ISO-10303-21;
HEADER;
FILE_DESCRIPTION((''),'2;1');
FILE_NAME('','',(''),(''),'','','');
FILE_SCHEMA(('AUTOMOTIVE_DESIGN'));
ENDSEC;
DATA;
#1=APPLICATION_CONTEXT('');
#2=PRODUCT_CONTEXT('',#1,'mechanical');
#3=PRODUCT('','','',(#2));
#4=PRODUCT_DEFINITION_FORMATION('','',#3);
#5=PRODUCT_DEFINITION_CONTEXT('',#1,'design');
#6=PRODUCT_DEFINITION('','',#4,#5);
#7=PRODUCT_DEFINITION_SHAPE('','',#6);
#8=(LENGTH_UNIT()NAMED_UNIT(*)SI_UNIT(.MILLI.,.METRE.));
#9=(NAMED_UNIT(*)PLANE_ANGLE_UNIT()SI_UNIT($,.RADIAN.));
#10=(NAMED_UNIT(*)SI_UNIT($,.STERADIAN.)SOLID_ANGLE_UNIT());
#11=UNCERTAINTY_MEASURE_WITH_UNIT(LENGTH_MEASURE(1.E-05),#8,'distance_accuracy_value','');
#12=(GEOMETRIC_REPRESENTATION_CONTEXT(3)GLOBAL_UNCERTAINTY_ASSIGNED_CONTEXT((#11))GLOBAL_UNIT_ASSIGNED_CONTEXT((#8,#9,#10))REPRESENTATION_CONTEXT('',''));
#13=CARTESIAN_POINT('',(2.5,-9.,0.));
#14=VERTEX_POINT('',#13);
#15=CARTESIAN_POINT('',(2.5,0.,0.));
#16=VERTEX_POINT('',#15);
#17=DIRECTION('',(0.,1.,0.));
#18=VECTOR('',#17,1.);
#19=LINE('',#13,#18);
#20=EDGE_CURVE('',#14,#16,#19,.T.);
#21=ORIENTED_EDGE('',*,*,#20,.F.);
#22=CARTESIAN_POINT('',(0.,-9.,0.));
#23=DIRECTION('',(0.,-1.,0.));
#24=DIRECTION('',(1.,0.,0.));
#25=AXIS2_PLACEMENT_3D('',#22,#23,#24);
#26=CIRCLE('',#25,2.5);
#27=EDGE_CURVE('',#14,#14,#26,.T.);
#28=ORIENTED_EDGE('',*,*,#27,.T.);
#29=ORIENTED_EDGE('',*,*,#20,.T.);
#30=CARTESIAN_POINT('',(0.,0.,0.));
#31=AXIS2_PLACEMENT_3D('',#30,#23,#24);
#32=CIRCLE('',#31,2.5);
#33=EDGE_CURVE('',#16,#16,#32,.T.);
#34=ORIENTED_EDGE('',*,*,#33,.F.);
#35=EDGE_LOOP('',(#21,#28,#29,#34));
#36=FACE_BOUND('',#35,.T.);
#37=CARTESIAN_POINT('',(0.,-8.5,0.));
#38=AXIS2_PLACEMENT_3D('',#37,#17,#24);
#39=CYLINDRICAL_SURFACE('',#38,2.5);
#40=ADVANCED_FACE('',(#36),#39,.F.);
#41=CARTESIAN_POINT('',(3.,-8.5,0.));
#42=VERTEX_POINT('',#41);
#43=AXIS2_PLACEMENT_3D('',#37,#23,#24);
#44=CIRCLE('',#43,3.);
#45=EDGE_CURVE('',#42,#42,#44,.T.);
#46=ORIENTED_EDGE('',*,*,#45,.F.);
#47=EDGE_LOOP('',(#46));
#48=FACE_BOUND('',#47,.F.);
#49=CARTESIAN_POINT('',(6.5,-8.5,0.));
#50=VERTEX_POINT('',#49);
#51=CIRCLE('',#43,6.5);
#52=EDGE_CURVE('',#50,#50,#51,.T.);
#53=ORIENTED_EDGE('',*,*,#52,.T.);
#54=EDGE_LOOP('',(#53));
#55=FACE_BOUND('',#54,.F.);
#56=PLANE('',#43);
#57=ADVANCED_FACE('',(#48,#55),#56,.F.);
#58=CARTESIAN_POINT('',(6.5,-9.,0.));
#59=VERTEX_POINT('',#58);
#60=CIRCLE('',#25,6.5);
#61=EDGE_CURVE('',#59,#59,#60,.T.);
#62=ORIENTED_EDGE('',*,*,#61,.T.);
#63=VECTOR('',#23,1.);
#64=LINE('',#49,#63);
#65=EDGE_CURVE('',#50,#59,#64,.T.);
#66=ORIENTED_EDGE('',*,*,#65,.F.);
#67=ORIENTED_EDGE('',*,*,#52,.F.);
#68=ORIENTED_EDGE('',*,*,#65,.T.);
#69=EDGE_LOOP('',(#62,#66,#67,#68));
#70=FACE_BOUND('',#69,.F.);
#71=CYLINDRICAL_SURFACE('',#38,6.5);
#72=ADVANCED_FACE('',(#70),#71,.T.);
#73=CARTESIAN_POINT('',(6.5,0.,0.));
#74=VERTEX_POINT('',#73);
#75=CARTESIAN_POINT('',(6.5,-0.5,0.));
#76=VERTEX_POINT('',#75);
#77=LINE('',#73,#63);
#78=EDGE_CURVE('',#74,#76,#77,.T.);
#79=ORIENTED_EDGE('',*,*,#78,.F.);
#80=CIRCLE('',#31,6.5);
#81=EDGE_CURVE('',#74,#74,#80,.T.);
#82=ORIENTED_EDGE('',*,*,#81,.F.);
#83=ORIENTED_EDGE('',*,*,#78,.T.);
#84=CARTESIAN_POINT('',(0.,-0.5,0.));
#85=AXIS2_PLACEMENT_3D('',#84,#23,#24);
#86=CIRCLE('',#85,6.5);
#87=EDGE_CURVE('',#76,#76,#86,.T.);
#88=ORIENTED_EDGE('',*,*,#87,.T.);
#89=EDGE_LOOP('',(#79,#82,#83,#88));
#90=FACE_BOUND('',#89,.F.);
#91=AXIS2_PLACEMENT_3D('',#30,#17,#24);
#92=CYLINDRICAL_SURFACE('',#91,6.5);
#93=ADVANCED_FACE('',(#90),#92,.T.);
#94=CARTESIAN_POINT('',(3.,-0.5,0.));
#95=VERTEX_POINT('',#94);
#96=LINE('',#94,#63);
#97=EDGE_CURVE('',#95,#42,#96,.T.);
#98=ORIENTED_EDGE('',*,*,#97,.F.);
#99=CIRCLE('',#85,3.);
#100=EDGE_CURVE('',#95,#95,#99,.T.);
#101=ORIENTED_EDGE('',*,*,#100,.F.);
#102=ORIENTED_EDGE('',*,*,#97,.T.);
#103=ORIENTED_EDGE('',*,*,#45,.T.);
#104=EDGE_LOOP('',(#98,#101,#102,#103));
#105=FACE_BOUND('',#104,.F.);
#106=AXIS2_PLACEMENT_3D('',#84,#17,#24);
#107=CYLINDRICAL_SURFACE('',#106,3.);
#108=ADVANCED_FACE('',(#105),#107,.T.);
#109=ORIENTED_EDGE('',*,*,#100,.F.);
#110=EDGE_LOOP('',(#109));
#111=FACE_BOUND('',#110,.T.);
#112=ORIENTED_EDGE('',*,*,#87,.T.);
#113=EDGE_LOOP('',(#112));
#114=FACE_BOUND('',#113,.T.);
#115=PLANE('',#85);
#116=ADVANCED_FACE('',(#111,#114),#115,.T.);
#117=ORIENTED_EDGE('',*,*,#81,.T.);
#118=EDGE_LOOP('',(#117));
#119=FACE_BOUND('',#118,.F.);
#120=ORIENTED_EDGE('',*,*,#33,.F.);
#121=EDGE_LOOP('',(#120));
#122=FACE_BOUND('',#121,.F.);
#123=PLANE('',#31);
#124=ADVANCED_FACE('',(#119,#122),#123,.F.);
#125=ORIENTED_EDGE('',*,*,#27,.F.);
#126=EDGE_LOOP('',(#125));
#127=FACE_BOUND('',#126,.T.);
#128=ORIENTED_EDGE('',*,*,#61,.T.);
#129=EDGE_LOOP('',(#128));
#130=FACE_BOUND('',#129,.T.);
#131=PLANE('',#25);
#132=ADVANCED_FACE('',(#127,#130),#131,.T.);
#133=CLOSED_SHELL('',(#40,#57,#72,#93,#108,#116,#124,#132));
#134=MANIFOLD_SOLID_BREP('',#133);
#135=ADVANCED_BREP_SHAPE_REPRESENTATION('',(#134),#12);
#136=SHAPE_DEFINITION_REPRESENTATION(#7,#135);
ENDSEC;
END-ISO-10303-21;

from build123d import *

# Parameters (mm, degrees)
F0_R     = 6.5
F0_R_2   = 2.5
F1_DEPTH = 0.5
F2_R     = 3
F2_R_2   = 2.5
F3_DEPTH = 8
F4_R     = 6.5
F4_R_2   = 2.5
F5_DEPTH = 0.5
F7_R     = 6.5
F7_R_2   = 2.5
F8_DEPTH = 0.5


with BuildPart() as f1:
    # F0 (on Front) → F1 (new body)
    with BuildSketch(Plane.XZ):
        Circle(F0_R)
        Circle(F0_R_2, mode=Mode.SUBTRACT)
    extrude(amount=F1_DEPTH)

    # F2 (on face) → F3 (join)
    with BuildSketch(Plane.XZ.offset(0.5)):
        Circle(F2_R)
        Circle(F2_R_2, mode=Mode.SUBTRACT)
    extrude(amount=F3_DEPTH)

    # F7 (on face) → F8 (join)
    with BuildSketch(Plane.XZ.offset(8.5)):
        Circle(F7_R)
        Circle(F7_R_2, mode=Mode.SUBTRACT)
    extrude(amount=F8_DEPTH)


with BuildPart() as f5:
    # F4 (on face) → F5 (new body)
    with BuildSketch(Plane.XZ):
        Circle(F4_R)
        Circle(F4_R_2, mode=Mode.SUBTRACT)
    extrude(amount=F5_DEPTH)


solid = f1.part
